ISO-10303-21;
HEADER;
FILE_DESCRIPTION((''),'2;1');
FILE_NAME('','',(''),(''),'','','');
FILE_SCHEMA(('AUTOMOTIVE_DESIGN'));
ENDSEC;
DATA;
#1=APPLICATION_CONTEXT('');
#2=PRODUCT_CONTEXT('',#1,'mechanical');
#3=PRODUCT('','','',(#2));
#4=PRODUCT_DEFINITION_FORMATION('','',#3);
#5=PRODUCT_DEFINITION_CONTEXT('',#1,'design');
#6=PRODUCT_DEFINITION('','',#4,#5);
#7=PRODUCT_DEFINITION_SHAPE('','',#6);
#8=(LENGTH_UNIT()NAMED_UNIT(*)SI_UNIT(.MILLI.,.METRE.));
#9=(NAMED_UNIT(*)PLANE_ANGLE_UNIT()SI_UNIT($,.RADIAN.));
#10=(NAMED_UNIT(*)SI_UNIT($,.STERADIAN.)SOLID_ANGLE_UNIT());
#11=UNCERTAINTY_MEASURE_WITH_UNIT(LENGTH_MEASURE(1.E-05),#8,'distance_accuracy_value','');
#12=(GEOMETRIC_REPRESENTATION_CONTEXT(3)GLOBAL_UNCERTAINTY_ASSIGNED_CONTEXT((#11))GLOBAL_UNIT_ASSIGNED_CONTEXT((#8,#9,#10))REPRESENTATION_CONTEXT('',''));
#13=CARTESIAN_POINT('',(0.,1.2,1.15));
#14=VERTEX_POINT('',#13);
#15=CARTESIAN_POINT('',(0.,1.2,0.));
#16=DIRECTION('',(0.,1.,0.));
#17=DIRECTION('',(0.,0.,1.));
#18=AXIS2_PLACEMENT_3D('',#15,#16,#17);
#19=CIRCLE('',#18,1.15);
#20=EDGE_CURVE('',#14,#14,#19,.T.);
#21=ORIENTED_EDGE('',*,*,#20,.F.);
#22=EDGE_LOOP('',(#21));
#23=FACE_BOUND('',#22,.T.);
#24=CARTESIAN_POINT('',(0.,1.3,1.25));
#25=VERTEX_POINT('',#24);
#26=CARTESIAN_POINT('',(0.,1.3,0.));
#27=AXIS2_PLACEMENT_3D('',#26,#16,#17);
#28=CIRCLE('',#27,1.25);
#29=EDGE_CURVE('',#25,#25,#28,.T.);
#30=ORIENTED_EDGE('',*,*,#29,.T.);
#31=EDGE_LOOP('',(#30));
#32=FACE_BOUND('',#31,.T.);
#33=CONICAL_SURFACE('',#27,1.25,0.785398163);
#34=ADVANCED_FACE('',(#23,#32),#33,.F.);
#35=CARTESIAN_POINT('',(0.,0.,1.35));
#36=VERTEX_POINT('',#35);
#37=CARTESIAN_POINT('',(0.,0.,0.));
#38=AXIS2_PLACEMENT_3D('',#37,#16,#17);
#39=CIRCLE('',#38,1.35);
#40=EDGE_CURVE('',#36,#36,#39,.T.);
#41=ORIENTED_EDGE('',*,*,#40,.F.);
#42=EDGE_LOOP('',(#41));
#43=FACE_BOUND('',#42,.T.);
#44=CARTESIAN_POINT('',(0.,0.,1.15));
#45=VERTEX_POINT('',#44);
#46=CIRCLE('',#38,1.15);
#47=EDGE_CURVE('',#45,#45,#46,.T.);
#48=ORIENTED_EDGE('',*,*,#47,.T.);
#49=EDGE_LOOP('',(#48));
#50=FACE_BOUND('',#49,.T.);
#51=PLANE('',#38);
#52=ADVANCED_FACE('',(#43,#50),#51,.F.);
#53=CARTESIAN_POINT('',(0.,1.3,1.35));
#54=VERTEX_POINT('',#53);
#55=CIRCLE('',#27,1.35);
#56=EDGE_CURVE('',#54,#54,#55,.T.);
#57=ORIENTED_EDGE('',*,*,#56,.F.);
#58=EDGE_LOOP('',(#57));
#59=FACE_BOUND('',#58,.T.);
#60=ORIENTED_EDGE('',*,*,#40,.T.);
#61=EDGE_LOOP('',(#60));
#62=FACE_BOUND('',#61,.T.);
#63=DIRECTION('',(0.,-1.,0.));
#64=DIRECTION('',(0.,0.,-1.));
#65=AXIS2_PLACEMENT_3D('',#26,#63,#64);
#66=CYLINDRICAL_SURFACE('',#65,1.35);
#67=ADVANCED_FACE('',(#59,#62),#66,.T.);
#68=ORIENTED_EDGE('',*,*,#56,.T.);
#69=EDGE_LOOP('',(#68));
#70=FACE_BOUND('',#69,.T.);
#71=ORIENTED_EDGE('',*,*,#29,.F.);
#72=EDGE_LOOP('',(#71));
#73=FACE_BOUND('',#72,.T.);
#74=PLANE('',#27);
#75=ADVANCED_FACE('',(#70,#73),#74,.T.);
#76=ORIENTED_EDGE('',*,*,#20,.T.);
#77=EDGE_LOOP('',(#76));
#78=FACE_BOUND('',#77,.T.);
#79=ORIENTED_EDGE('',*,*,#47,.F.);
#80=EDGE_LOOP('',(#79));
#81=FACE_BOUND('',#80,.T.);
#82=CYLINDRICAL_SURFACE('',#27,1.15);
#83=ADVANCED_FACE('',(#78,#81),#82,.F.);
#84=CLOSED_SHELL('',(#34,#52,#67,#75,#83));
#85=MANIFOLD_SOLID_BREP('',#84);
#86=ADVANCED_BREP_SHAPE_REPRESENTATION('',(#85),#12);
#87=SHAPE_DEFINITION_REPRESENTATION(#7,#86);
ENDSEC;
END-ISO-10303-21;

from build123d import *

# Parameters (mm, degrees)
SKETCH1_R                            = 1.35
BOSS_EXTRUDE1_DEPTH                  = 1.3
F_2_3_2_3_DIAMETER_HOLE1_D           = 2.3
F_2_3_2_3_DIAMETER_HOLE1_DEPTH       = 1.3
F_2_3_2_3_DIAMETER_HOLE1_CSINK_D     = 2.5
F_2_3_2_3_DIAMETER_HOLE1_CSINK_ANGLE = 90


with BuildPart() as part:
    # Sketch1 → Boss-Extrude1 (new body)
    with BuildSketch(Plane(origin=(0, 0, 0), x_dir=(1, 0, 0), z_dir=(0, 1, 0))):
        Circle(SKETCH1_R)
    extrude(amount=BOSS_EXTRUDE1_DEPTH)

    # Ø2.3 (2.3) Diameter Hole1
    with Locations(Plane(origin=(0, 1.3, 0), x_dir=(1, 0, 0), z_dir=(0, 1, 0))):
        with Locations((0, 0)):
            CounterSinkHole(F_2_3_2_3_DIAMETER_HOLE1_D / 2, F_2_3_2_3_DIAMETER_HOLE1_CSINK_D / 2, depth=F_2_3_2_3_DIAMETER_HOLE1_DEPTH, counter_sink_angle=F_2_3_2_3_DIAMETER_HOLE1_CSINK_ANGLE)


solid = part.part
